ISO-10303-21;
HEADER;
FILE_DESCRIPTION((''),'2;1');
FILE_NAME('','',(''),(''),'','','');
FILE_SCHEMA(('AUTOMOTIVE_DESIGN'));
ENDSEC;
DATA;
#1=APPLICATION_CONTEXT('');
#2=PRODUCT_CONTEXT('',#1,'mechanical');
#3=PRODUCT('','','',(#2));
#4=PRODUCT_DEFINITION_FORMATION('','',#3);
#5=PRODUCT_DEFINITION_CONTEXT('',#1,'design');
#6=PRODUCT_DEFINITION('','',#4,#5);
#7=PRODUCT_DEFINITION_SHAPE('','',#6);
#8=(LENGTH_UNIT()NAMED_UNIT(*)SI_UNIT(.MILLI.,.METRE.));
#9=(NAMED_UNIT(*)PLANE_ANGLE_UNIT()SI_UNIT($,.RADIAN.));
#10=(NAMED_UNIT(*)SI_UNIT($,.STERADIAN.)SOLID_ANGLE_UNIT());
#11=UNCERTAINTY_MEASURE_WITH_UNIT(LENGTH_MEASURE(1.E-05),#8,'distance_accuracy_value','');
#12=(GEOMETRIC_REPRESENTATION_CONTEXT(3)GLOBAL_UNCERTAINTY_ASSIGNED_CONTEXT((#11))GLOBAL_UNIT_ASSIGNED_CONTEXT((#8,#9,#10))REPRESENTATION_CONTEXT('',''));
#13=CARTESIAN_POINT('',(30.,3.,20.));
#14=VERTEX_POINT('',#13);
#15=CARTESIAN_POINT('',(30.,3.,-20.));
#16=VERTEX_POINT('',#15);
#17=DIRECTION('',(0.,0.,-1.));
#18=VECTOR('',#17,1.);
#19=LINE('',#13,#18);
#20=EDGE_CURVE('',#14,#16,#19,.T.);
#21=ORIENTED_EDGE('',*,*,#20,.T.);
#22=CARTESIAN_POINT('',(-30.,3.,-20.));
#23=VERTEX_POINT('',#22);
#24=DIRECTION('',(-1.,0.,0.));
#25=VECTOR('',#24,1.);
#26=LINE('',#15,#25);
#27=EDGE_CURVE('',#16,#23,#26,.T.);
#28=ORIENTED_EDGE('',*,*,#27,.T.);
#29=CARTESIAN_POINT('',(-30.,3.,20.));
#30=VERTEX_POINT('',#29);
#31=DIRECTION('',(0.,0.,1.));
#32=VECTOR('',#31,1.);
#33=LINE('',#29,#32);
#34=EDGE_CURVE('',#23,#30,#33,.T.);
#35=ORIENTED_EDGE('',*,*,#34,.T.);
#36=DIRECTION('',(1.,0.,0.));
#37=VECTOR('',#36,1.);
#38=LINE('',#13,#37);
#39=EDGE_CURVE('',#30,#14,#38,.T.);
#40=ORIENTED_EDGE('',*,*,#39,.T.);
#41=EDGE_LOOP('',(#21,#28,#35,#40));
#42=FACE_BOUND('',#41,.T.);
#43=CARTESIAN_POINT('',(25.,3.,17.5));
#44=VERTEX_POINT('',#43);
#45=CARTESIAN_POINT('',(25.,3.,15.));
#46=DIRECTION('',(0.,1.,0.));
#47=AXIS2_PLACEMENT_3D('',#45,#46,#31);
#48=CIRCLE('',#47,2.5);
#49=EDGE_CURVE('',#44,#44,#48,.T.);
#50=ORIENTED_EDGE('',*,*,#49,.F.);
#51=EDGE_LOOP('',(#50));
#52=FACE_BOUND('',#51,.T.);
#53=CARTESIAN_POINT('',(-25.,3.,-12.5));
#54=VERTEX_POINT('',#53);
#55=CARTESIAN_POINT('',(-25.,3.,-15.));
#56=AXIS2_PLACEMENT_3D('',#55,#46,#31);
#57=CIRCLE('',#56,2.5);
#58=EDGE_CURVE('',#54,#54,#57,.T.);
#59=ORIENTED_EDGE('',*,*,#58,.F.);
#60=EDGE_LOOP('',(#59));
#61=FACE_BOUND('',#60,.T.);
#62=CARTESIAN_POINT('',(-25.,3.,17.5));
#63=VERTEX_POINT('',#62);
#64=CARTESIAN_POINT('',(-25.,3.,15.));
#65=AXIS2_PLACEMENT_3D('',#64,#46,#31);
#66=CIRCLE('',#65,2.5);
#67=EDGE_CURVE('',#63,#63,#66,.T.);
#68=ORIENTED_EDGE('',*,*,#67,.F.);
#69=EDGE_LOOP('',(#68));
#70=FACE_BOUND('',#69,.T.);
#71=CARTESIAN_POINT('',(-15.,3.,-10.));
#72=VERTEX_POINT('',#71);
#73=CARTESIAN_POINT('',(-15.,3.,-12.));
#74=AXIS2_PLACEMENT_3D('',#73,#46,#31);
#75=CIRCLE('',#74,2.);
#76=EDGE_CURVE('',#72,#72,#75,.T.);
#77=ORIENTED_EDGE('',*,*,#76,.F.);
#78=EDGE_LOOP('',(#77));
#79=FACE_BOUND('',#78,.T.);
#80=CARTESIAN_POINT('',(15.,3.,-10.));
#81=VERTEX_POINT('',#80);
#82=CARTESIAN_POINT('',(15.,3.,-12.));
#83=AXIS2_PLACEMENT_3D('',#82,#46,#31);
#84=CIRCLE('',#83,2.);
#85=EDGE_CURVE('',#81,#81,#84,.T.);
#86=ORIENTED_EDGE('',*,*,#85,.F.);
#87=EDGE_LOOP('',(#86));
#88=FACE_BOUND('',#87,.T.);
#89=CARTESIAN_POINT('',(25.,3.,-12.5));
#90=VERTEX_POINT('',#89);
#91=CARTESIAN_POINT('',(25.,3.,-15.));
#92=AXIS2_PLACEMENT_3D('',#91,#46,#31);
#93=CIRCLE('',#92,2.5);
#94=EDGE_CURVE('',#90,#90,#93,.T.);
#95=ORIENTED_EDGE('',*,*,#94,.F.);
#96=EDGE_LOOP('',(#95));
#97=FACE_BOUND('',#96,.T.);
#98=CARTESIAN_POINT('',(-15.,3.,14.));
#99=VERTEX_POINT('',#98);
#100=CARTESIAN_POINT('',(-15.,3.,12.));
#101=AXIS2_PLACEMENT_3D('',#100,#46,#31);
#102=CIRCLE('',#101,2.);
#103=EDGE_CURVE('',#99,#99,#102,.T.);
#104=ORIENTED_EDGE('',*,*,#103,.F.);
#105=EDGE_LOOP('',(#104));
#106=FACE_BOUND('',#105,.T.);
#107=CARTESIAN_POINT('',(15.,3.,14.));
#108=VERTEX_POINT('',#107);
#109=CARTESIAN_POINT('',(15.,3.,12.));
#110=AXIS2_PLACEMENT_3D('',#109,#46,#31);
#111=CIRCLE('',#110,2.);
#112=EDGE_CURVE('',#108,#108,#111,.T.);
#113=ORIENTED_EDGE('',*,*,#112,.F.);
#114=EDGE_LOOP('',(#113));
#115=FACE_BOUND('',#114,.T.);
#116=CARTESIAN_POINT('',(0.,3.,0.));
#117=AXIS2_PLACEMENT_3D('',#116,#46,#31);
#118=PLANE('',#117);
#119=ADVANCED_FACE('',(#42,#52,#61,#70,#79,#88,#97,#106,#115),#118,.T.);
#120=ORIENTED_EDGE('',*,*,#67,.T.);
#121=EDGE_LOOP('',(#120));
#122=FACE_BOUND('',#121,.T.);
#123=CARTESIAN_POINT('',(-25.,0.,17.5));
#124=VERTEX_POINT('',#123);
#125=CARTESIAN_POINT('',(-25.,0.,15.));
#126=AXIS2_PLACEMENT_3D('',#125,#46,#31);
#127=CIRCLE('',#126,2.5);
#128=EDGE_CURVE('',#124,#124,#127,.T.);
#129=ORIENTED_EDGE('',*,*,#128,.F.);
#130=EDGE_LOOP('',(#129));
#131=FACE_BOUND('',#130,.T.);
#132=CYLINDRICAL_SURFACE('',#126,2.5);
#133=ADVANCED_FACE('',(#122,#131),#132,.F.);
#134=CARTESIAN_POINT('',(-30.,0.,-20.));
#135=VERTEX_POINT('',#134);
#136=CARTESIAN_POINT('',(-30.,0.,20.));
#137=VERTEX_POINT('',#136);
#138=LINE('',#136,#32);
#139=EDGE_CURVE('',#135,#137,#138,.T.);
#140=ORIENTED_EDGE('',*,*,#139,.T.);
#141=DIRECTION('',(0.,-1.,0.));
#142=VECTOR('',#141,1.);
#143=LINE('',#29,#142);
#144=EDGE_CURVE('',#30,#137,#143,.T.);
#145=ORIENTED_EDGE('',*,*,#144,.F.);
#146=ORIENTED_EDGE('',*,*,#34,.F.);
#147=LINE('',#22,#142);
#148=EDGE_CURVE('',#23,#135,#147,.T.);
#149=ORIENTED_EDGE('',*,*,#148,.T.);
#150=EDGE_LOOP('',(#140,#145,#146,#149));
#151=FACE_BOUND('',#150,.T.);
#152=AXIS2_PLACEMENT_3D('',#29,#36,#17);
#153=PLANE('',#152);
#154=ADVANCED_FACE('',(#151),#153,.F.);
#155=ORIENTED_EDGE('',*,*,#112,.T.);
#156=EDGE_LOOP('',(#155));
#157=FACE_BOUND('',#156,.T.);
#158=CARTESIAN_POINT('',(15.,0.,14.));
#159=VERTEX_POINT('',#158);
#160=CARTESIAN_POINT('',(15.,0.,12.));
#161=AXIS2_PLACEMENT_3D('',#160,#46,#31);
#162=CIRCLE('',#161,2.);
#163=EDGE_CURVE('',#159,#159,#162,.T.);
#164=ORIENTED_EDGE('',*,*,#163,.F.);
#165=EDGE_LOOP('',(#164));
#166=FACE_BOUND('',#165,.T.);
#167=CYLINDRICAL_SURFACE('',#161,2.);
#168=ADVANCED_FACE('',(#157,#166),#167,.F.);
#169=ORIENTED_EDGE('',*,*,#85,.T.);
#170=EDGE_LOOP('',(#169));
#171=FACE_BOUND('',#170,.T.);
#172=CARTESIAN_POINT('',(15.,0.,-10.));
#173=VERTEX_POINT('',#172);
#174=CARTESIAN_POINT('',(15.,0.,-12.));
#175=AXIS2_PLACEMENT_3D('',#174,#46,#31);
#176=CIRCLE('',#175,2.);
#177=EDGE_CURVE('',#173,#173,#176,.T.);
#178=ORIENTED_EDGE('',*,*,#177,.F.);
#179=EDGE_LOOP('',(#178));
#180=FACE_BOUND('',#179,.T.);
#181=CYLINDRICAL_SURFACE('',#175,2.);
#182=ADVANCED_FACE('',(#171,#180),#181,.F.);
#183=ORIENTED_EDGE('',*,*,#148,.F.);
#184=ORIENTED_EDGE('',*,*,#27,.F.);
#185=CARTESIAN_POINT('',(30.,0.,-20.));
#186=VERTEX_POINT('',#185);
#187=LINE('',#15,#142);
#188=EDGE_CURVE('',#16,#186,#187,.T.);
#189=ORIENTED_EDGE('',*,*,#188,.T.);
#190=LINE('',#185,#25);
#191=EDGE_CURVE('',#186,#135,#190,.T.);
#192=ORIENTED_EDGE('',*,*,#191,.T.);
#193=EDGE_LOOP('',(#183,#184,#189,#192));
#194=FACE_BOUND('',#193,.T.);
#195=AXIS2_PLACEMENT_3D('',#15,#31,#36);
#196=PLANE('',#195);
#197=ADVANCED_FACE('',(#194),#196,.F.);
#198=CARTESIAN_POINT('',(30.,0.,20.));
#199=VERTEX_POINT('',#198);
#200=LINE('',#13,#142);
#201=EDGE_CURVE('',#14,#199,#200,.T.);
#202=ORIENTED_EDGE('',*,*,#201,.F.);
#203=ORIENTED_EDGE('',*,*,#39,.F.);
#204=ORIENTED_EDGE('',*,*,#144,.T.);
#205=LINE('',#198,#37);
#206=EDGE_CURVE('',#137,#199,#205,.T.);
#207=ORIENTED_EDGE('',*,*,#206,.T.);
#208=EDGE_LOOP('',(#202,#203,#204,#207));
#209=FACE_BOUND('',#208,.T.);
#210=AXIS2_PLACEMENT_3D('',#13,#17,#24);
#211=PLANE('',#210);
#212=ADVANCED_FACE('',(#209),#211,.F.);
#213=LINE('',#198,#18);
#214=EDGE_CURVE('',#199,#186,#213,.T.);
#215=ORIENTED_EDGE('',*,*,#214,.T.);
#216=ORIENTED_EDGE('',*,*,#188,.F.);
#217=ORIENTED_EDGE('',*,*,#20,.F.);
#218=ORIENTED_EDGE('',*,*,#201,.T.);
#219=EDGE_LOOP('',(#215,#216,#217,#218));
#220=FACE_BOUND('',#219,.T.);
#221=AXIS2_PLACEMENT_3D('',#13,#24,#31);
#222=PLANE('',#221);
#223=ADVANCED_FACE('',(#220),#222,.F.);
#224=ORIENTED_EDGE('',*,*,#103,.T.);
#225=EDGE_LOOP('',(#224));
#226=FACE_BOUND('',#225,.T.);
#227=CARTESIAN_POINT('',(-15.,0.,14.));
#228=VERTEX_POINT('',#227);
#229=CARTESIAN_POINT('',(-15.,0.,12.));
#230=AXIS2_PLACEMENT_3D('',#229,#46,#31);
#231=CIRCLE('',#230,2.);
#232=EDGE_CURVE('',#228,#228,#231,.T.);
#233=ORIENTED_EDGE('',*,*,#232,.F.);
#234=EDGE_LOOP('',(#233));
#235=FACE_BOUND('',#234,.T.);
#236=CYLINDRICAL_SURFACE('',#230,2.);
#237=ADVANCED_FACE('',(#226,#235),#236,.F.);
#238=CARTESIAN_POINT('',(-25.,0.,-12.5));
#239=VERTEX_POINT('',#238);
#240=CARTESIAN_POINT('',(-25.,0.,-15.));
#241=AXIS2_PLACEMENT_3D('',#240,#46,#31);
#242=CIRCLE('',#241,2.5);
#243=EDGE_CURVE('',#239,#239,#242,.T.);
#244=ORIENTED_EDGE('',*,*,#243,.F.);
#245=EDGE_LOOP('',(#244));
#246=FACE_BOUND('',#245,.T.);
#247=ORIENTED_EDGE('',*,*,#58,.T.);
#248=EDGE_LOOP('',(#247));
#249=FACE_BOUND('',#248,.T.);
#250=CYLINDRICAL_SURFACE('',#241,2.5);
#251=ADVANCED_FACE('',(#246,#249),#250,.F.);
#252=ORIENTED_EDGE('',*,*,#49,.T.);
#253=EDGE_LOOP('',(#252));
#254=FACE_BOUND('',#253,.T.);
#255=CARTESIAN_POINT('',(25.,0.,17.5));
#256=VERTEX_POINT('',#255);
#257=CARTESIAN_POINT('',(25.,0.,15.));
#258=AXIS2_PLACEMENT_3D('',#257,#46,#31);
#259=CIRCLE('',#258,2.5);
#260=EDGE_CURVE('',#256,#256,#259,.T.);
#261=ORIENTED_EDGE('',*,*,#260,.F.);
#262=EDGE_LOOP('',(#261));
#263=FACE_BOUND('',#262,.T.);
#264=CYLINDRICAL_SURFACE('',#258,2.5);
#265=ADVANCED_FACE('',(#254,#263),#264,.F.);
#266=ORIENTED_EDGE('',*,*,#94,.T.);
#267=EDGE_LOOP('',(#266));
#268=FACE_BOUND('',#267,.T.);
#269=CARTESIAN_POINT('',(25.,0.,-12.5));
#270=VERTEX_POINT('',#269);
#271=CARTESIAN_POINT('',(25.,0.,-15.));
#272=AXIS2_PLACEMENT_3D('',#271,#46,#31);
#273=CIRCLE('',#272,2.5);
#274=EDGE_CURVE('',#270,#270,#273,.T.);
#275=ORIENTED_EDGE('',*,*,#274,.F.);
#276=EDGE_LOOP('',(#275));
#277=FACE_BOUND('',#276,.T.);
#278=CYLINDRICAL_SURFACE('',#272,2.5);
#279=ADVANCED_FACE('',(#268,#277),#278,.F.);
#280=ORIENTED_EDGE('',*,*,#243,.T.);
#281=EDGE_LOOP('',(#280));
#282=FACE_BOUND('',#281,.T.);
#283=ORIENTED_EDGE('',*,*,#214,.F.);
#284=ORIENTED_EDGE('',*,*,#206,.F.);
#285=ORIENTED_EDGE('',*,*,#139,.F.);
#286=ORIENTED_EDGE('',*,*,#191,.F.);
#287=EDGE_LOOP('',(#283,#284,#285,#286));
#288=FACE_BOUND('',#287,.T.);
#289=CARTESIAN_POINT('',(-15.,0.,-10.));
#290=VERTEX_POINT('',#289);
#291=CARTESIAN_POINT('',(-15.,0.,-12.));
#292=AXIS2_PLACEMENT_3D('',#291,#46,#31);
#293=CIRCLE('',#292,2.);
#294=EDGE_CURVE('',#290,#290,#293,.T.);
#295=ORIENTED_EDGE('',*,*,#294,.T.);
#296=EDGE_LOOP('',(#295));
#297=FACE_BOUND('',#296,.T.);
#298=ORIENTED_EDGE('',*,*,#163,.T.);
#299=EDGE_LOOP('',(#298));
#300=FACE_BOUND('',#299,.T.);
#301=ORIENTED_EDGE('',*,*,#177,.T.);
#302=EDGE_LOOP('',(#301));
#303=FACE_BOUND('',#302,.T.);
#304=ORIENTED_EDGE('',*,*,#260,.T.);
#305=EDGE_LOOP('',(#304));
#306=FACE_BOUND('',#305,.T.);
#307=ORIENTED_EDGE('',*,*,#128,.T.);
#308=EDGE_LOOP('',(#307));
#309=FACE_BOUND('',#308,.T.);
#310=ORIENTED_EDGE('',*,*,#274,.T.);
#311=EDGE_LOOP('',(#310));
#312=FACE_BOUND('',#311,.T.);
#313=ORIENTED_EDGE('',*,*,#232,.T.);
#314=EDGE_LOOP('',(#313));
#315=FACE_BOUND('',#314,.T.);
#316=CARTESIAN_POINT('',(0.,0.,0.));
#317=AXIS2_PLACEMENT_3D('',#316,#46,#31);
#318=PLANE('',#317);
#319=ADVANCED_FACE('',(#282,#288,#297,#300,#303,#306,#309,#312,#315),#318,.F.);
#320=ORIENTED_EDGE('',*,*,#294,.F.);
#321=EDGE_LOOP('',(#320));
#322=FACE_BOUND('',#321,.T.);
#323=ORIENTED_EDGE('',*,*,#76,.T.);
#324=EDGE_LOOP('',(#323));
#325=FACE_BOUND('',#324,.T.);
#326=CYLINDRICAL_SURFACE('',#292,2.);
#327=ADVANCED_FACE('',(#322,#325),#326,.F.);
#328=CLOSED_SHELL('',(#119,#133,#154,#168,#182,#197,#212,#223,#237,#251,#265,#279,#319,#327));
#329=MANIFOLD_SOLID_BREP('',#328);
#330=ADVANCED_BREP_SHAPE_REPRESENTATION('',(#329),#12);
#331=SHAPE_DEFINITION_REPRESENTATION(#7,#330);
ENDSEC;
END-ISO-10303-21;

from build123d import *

# Parameters (mm, degrees)
SKETCH1_W           = 60
SKETCH1_H           = 40
BOSS_EXTRUDE1_DEPTH = 3
SKETCH2_R           = 2
CUT_EXTRUDE1_DEPTH  = 3
SKETCH3_R           = 2.5
CUT_EXTRUDE2_DEPTH  = 3


with BuildPart() as part:
    # Sketch1 → Boss-Extrude1 (new body)
    with BuildSketch(Plane(origin=(0, 0, 0), x_dir=(1, 0, 0), z_dir=(0, 1, 0))):
        Rectangle(SKETCH1_W, SKETCH1_H)
    extrude(amount=BOSS_EXTRUDE1_DEPTH)

    # Sketch2 → Cut-Extrude1 (cut)
    with BuildSketch(Plane(origin=(0, 3, 0), x_dir=(1, 0, 0), z_dir=(0, 1, 0))):
        with Locations((-15, 12)):
            Circle(SKETCH2_R)
        with Locations((15, 12)):
            Circle(SKETCH2_R)
        with Locations((15, -12)):
            Circle(SKETCH2_R)
        with Locations((-15, -12)):
            Circle(SKETCH2_R)
    extrude(amount=-CUT_EXTRUDE1_DEPTH, mode=Mode.SUBTRACT)

    # Sketch3 → Cut-Extrude2 (cut)
    with BuildSketch(Plane(origin=(0, 3, 0), x_dir=(1, 0, 0), z_dir=(0, 1, 0))):
        with Locations((-25, 15)):
            Circle(SKETCH3_R)
        with Locations((-25, -15)):
            Circle(SKETCH3_R)
        with Locations((25, 15)):
            Circle(SKETCH3_R)
        with Locations((25, -15)):
            Circle(SKETCH3_R)
    extrude(amount=-CUT_EXTRUDE2_DEPTH, mode=Mode.SUBTRACT)


solid = part.part
